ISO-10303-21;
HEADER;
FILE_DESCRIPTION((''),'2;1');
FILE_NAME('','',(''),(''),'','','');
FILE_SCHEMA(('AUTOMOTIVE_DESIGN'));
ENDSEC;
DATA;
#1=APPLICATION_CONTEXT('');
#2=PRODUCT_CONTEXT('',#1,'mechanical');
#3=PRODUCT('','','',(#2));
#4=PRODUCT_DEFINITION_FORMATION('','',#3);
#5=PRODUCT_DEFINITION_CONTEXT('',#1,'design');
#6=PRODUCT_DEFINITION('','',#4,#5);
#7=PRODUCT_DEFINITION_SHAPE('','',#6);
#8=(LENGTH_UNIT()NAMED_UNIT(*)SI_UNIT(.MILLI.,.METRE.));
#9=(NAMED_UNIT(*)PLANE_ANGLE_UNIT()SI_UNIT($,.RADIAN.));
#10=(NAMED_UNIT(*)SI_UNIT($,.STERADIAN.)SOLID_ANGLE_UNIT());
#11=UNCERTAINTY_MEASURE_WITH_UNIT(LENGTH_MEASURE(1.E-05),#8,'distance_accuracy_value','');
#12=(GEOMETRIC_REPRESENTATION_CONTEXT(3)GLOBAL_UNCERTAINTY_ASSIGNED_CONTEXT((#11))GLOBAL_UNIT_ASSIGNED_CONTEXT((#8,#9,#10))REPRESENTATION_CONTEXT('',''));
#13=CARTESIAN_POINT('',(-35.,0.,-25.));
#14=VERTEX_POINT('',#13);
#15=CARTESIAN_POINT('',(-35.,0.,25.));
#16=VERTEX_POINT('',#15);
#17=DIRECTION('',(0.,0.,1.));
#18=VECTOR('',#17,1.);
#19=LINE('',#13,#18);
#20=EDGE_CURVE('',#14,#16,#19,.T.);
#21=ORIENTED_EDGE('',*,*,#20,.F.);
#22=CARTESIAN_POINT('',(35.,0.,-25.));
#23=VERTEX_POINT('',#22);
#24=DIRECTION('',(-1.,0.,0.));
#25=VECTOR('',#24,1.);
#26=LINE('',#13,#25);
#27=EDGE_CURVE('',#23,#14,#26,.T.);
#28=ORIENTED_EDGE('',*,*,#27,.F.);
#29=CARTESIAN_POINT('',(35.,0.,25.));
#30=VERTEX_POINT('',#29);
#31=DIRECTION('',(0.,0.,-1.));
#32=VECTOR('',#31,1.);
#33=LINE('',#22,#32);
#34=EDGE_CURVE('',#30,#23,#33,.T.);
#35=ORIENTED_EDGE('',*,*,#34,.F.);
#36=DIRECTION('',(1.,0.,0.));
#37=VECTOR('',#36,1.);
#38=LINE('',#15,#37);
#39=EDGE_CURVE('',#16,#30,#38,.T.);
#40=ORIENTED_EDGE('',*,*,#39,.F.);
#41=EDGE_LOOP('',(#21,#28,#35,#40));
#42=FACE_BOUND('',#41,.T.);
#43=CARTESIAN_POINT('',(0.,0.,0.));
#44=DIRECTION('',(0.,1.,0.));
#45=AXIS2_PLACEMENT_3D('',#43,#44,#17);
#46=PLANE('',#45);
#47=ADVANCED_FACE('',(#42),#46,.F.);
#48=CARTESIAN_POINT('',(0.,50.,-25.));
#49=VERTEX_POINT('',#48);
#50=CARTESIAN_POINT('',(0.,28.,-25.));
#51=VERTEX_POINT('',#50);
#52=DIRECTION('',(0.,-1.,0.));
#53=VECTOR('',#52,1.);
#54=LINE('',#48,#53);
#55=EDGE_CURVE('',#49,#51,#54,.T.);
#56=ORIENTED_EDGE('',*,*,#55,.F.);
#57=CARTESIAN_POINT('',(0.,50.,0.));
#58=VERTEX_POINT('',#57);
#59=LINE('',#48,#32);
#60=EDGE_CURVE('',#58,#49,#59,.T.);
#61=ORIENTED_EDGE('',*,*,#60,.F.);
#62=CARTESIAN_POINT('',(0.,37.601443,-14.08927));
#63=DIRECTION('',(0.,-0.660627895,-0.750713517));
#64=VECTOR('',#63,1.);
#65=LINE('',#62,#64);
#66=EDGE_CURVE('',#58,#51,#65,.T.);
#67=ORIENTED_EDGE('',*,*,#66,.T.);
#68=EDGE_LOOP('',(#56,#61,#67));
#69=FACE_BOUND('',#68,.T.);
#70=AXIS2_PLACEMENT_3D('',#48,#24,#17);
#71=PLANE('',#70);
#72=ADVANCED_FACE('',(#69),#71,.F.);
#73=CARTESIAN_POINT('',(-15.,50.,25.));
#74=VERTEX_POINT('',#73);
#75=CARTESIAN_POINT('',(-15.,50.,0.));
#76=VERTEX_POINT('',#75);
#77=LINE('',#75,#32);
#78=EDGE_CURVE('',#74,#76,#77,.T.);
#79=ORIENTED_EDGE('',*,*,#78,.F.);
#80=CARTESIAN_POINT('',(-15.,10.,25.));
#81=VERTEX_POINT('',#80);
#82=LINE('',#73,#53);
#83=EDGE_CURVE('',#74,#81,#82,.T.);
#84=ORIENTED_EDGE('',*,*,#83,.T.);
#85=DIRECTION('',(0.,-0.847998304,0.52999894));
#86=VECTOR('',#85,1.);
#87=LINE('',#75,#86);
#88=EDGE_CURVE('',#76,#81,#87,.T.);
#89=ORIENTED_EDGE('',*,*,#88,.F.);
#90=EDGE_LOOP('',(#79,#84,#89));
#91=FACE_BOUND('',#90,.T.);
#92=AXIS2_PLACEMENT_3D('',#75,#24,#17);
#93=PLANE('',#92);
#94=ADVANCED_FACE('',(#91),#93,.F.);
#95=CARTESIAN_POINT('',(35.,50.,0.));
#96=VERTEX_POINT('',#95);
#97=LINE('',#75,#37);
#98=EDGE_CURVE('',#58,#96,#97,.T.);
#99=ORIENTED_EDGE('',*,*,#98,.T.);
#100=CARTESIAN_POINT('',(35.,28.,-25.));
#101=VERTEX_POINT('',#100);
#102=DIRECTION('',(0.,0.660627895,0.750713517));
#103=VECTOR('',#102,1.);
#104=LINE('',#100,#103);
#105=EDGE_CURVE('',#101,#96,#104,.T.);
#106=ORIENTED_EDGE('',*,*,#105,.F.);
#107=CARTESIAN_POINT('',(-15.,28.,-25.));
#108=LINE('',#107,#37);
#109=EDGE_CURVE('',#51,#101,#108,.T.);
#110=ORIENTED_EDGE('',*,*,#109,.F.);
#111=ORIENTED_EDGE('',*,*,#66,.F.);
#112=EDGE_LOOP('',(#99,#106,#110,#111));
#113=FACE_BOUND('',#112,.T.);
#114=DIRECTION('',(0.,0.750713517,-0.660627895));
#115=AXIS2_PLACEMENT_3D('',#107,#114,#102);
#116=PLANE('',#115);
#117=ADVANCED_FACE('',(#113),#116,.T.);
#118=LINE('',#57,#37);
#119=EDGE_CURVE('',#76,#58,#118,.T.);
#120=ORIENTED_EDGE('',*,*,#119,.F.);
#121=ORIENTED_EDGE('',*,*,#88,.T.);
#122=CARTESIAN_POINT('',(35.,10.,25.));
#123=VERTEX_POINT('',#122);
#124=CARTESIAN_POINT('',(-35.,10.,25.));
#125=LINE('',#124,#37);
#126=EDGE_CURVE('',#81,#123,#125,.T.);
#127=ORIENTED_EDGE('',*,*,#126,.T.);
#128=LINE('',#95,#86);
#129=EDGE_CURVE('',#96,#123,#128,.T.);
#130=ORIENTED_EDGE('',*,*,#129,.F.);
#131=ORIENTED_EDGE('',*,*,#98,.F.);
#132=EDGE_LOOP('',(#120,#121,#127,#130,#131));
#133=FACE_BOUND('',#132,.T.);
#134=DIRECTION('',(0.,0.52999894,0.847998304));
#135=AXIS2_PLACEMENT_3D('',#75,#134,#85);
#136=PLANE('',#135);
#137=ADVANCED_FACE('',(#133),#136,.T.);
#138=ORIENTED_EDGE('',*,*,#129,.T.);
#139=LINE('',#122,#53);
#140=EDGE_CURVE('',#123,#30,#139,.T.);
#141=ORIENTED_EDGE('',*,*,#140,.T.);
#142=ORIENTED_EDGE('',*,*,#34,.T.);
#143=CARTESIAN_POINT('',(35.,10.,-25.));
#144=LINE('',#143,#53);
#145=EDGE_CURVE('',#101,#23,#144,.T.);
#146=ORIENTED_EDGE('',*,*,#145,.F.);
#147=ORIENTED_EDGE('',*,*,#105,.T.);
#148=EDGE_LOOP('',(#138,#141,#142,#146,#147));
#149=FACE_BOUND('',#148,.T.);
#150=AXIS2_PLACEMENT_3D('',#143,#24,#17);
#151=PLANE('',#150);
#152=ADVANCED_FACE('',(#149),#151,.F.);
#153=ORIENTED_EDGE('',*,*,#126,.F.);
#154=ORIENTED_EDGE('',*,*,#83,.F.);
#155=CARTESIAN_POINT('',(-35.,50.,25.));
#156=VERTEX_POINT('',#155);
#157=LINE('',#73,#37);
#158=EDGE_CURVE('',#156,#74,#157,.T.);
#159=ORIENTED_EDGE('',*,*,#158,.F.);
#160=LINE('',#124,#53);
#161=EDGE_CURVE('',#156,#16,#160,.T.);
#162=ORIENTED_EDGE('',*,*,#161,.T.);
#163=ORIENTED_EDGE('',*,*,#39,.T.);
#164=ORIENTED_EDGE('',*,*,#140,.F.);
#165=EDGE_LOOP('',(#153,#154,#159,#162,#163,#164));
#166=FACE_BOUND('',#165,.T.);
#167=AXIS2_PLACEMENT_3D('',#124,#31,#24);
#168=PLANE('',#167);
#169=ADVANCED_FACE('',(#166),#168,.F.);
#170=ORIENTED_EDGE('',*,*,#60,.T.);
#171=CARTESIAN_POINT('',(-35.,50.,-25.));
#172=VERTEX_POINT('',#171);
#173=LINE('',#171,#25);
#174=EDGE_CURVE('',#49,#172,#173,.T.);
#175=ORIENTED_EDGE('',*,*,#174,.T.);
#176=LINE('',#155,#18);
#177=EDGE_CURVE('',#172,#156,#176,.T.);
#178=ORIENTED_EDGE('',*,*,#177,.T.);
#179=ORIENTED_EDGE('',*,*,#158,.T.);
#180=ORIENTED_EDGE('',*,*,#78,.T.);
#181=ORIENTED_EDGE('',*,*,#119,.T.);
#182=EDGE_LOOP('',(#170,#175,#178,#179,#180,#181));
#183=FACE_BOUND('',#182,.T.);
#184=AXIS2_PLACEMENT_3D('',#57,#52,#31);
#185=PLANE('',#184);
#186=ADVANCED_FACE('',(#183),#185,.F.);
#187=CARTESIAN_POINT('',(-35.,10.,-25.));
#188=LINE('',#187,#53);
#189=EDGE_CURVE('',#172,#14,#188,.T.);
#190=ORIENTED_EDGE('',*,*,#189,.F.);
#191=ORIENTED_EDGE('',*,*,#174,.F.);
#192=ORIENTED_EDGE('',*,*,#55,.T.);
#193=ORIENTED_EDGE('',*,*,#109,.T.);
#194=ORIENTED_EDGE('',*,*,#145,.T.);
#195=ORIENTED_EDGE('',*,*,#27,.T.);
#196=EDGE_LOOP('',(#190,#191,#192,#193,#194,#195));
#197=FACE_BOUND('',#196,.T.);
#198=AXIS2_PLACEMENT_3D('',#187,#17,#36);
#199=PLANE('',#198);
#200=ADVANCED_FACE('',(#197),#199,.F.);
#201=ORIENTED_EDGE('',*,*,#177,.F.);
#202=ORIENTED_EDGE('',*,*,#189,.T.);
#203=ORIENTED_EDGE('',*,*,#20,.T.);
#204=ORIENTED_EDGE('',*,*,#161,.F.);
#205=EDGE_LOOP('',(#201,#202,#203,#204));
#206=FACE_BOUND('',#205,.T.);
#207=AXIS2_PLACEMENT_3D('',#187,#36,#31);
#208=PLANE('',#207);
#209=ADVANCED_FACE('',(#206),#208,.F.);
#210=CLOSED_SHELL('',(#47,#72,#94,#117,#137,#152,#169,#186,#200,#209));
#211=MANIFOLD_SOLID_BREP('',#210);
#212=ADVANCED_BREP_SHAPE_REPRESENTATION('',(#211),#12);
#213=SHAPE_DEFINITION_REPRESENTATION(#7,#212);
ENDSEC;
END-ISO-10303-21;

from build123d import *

# Parameters (mm, degrees)
SKETCH1_W           = 70
SKETCH1_H           = 50
BOSS_EXTRUDE1_DEPTH = 10
BOSS_EXTRUDE2_DEPTH = 40
BOSS_EXTRUDE3_DEPTH = 50


with BuildPart() as part:
    # Sketch1 → Boss-Extrude1 (new body)
    with BuildSketch(Plane(origin=(0, 0, 0), x_dir=(1, 0, 0), z_dir=(0, 1, 0))):
        Rectangle(SKETCH1_W, SKETCH1_H)
    extrude(amount=BOSS_EXTRUDE1_DEPTH)

    # Sketch3 → Boss-Extrude2 (add)
    with BuildSketch(Plane(origin=(0, 10, 0), x_dir=(1, 0, 0), z_dir=(0, 1, 0))):
        Polygon((-35, 25), (0, 25), (0, 0), (-15, 0), (-15, -25), (-35, -25), align=None)
    extrude(amount=BOSS_EXTRUDE2_DEPTH)

    # Sketch4 → Boss-Extrude3 (add)
    with BuildSketch(Plane(origin=(35, 0, 0), x_dir=(0, 0, -1), z_dir=(1, 0, 0))):
        Polygon((25, 10), (25, 28), (0, 50), (-25, 10), align=None)
    extrude(amount=-BOSS_EXTRUDE3_DEPTH)


solid = part.part
